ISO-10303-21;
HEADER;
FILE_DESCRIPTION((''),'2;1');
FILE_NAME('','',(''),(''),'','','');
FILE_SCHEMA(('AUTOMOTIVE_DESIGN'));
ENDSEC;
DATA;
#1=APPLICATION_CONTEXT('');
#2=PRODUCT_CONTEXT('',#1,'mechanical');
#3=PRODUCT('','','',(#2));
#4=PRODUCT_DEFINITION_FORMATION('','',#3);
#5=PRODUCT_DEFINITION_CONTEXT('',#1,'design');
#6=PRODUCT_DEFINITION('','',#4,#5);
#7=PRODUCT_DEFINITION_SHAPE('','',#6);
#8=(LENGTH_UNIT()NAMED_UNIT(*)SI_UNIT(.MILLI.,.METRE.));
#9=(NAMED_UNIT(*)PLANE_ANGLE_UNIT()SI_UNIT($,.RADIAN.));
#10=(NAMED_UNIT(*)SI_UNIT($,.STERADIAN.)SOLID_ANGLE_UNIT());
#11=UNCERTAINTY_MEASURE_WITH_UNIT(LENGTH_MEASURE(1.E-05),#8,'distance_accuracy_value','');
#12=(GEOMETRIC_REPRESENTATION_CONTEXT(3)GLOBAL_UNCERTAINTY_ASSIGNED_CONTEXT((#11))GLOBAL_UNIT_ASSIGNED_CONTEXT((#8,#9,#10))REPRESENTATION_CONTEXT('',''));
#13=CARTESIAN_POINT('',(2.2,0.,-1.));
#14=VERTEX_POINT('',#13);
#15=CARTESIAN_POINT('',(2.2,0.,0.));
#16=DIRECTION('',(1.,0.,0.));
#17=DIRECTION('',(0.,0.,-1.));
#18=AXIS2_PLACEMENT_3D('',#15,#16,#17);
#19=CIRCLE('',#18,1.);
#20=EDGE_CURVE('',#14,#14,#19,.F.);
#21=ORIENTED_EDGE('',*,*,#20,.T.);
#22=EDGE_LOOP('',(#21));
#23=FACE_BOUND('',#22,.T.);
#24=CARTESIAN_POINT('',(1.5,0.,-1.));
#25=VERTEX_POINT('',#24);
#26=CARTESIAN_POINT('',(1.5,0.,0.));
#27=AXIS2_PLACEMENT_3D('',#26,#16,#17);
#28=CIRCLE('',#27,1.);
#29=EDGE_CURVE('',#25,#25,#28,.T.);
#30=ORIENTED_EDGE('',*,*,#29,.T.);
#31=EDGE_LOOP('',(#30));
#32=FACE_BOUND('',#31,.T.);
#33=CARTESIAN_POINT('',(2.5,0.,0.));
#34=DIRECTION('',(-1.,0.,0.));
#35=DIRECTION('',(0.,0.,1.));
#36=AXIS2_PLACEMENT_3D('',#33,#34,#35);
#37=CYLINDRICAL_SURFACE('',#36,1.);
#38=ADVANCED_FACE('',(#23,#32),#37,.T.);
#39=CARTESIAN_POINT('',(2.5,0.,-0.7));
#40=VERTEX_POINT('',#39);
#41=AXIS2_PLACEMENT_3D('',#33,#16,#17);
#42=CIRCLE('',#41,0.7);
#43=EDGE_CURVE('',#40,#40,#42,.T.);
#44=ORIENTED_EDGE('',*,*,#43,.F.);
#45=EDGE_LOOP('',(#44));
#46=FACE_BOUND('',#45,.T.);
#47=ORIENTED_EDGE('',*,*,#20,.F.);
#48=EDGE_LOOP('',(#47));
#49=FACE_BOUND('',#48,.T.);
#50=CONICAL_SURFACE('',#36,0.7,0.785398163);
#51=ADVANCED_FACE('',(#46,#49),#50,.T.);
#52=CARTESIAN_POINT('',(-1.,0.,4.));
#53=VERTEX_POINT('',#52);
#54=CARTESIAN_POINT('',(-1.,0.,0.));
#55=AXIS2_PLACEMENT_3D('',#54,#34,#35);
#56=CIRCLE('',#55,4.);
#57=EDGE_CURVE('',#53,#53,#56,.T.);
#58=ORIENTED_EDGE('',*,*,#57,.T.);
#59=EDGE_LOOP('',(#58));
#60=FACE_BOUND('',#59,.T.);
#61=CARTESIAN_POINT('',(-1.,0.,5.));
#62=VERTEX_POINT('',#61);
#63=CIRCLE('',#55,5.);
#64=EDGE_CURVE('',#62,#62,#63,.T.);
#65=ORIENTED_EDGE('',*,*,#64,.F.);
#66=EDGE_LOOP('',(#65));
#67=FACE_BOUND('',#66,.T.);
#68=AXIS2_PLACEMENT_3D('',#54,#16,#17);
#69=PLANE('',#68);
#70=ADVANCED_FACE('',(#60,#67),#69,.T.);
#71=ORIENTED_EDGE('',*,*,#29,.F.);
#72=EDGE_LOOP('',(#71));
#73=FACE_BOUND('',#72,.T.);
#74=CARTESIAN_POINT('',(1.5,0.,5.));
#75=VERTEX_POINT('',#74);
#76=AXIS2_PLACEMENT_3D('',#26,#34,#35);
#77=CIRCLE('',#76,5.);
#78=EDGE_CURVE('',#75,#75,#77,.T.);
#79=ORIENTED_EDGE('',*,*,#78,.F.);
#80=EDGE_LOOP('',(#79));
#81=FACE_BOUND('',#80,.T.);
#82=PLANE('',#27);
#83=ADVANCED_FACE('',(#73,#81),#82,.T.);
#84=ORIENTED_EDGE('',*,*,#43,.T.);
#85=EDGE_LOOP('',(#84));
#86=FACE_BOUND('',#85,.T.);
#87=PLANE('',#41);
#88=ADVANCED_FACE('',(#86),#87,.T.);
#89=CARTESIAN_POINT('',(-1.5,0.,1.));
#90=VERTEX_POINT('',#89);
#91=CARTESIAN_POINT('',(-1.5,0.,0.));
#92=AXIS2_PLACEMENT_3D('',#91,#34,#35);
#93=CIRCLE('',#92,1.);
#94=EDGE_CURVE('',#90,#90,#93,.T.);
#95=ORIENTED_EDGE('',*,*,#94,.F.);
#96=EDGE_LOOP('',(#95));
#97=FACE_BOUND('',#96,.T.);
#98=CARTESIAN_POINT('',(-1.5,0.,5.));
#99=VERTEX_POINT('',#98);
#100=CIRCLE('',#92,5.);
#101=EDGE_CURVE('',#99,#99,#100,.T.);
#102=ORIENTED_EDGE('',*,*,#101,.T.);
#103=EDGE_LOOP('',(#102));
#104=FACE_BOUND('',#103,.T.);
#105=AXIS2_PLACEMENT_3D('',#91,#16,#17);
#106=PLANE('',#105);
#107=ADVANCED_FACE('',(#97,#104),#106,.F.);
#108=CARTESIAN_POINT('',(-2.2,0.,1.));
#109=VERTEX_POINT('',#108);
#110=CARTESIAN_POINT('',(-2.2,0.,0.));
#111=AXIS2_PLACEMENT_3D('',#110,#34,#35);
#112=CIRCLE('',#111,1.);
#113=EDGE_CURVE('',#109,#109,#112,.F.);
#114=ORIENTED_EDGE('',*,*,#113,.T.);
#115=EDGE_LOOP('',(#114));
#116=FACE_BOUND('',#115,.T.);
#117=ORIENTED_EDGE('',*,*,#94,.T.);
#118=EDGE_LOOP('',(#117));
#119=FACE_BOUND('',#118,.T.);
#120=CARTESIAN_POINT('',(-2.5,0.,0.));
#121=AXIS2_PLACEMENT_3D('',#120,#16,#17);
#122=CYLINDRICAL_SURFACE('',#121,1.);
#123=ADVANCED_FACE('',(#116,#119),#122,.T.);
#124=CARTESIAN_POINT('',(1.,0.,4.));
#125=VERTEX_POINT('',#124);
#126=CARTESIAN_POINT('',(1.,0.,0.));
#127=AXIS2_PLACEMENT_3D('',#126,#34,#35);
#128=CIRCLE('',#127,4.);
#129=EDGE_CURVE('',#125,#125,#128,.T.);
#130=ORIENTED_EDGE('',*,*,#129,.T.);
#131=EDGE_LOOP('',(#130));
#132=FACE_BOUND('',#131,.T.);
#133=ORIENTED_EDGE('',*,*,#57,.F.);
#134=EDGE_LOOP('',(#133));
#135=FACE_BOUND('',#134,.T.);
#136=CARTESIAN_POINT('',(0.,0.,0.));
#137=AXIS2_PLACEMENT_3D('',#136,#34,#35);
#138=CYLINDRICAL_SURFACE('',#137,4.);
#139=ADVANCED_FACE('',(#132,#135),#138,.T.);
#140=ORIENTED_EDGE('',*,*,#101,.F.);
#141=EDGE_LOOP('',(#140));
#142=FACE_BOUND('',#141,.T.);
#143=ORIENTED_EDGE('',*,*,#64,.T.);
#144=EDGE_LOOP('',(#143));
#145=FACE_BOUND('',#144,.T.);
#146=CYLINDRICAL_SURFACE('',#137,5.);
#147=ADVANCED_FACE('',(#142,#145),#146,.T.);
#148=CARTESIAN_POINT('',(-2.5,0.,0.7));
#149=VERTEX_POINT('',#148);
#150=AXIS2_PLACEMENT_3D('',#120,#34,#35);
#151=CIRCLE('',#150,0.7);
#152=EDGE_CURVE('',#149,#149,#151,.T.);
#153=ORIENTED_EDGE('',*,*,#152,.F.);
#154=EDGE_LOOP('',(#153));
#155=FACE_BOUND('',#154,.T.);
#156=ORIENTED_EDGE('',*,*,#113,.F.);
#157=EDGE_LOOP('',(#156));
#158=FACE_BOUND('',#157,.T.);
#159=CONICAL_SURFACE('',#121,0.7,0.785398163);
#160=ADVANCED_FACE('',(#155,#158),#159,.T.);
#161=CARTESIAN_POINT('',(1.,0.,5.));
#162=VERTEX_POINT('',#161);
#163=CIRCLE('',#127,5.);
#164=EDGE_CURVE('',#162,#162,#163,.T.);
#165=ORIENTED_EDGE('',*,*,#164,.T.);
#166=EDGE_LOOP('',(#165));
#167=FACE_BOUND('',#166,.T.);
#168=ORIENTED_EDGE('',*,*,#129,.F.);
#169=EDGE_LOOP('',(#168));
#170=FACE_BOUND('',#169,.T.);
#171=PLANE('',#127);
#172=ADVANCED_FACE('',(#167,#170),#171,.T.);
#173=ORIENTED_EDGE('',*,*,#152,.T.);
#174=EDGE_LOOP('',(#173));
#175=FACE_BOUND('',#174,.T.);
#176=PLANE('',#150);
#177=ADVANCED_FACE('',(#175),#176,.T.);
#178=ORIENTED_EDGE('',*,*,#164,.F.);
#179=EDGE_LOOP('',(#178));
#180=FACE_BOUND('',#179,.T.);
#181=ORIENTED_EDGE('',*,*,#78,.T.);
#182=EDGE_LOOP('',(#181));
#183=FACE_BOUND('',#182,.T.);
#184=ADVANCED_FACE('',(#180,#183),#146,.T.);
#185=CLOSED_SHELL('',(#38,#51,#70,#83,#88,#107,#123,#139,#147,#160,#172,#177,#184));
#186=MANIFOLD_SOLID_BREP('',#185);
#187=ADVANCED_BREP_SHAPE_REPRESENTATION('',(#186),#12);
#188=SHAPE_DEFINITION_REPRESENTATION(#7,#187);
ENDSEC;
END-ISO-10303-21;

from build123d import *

# Parameters (mm, degrees)
ESBO_O2_R                = 1
RESSALTO_EXTRUS_O1_DEPTH = 1
RESSALTO_EXTRUS_O2_START = 1
ESBO_O4_R                = 1
RESSALTO_EXTRUS_O2_DEPTH = 1
CHANFRO1_SIZE            = 0.3
CHANFRO2_SIZE            = 0.3


with BuildPart() as part:
    # Esboço1 → Revolução2 (revolve)
    with BuildSketch(Plane.XY, mode=Mode.PRIVATE) as revolu_o2_sk:
        Polygon((-1, 5), (-1.5, 5), (-1.5, 0), (1.5, 0), (1.5, 5), (1, 5), (1, 4), (0, 4), (-1, 4), align=None)
    revolve(revolu_o2_sk.sketch.rotate(Axis((0, 0, 0), (1, 0, 0)), 90), axis=Axis((0, 0, 0), (1, 0, 0)))

    # Esboço2 → Ressalto-extrusão1 (add)
    with BuildSketch(Plane.ZY.offset(1.5)):
        Circle(ESBO_O2_R)
    extrude(amount=RESSALTO_EXTRUS_O1_DEPTH)

    # Esboço4 → Ressalto-extrusão2 (add)
    with BuildSketch(Plane(origin=(1.5, 0, 0), x_dir=(0, 0, -1), z_dir=(1, 0, 0)).offset(RESSALTO_EXTRUS_O2_START)):
        with Locations(Location((0, 0, 0), (0, 0, 180))):
            Circle(ESBO_O4_R)
    extrude(amount=-RESSALTO_EXTRUS_O2_DEPTH)

    # Chanfro1
    chanfro1_edges = [part.edges().sort_by_distance(p)[0] for p in [
        (-2.5, 0, -1),
    ]]
    chamfer(chanfro1_edges, length=CHANFRO1_SIZE)

    # Chanfro2
    chanfro2_edges = [part.edges().sort_by_distance(p)[0] for p in [
        (2.5, 0, -1),
    ]]
    chamfer(chanfro2_edges, length=CHANFRO2_SIZE)


solid = part.part
